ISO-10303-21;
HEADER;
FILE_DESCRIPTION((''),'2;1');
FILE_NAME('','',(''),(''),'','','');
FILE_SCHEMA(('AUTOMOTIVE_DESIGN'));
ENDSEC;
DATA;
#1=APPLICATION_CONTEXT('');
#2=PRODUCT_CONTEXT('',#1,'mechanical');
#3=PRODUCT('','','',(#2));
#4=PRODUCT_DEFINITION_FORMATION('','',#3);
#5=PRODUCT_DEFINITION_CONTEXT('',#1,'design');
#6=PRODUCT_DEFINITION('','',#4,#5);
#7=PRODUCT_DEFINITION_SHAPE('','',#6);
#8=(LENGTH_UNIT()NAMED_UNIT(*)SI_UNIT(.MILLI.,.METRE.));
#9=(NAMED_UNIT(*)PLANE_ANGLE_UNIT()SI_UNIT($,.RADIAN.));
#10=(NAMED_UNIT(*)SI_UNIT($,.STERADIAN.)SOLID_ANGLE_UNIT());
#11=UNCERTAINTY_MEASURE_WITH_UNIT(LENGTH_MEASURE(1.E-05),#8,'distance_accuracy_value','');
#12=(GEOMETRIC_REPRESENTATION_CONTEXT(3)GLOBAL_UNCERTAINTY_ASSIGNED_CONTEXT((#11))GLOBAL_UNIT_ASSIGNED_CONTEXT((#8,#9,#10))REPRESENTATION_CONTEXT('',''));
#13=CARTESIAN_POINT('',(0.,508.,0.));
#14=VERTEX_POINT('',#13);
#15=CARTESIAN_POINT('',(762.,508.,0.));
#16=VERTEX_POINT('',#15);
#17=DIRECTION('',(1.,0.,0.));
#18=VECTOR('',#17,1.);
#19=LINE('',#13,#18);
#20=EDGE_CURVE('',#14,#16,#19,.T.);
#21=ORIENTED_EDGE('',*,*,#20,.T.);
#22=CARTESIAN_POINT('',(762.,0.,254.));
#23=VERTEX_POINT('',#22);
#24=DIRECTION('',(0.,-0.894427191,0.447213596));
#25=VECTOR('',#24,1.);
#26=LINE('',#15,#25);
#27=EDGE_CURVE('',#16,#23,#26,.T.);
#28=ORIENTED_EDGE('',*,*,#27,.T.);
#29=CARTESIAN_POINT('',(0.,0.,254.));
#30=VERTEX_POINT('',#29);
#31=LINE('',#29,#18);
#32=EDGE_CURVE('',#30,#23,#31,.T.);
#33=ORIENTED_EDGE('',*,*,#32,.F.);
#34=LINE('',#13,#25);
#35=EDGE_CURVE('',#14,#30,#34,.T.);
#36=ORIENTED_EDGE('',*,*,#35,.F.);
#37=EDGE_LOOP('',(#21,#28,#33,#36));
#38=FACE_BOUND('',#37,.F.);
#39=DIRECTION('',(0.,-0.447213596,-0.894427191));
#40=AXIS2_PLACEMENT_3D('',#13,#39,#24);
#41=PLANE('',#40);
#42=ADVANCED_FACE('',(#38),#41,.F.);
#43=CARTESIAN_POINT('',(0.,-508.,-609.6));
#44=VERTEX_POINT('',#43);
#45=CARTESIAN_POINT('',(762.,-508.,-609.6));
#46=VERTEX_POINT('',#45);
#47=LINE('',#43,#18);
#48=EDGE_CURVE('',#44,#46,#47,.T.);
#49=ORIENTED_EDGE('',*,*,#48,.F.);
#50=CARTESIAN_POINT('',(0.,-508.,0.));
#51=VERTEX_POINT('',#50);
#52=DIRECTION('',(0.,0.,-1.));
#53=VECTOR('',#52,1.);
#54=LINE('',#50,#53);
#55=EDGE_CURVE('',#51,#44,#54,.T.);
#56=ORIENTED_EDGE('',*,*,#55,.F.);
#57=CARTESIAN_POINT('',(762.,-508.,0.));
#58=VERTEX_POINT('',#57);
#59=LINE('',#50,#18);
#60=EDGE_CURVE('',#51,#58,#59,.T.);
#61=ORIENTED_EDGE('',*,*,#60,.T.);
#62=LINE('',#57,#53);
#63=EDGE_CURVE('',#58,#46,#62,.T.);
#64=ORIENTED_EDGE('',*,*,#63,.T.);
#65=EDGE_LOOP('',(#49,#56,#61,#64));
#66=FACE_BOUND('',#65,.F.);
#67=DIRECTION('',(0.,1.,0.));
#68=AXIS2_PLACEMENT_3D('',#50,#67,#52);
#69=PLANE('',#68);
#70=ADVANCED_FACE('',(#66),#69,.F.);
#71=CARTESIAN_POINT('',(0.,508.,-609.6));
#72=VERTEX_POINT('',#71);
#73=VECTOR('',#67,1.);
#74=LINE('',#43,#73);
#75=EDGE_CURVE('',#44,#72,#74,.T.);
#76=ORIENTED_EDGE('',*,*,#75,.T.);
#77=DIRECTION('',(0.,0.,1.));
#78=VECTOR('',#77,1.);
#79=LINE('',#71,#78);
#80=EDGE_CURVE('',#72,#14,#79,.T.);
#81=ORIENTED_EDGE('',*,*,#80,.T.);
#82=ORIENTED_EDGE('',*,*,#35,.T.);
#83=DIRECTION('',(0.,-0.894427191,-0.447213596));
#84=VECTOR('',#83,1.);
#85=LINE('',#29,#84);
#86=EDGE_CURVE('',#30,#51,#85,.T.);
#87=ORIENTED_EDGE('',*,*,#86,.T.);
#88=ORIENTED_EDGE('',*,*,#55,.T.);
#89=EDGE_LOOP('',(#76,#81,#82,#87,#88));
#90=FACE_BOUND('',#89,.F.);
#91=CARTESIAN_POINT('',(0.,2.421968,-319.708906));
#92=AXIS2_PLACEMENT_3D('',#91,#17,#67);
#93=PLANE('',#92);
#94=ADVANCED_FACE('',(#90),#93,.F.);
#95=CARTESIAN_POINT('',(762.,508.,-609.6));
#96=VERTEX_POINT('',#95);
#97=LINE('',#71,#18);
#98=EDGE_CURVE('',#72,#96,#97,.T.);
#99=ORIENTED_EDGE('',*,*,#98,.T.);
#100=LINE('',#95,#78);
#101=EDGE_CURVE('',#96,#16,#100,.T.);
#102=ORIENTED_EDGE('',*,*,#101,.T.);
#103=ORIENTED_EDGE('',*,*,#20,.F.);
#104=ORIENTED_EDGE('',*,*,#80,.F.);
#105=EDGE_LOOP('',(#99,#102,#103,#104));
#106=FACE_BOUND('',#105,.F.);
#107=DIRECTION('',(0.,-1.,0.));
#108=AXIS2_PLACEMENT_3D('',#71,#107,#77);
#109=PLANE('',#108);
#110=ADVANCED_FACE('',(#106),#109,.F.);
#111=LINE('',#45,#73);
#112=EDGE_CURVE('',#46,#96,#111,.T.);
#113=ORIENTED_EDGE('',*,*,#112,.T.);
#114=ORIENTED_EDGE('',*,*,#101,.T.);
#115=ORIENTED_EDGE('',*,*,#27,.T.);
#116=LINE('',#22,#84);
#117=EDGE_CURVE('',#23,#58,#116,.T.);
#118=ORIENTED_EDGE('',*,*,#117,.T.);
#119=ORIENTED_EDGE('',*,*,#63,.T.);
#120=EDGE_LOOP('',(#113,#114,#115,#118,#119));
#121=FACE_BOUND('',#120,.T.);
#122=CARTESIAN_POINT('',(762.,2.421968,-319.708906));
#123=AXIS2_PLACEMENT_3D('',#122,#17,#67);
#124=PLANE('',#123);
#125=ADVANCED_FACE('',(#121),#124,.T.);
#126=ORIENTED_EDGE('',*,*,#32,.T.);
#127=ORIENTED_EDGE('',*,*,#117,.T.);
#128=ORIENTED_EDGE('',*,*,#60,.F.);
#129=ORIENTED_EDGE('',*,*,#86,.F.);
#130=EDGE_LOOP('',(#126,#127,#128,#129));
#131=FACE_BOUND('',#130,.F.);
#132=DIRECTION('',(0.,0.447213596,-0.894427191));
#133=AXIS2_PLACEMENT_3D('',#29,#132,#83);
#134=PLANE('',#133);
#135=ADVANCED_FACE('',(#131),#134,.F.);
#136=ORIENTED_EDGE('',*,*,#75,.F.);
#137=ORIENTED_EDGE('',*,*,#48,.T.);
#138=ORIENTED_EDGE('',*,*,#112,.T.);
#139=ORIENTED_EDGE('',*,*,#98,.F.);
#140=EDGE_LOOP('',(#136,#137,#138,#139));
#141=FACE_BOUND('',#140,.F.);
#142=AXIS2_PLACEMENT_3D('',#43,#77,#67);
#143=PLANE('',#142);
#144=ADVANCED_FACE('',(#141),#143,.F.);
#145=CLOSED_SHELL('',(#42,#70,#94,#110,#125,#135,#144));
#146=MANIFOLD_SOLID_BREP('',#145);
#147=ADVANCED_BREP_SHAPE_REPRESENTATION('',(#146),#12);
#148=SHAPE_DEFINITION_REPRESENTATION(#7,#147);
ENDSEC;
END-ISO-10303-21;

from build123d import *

# Parameters (mm, degrees)
F0_W     = 177.8
F0_H     = 177.8
F0_W_2   = 406.4
F0_H_2   = 203.2
F0_W_3   = 129.3622
F1_DEPTH = 762


with BuildPart() as f1:
    # F0 (on Right) → F1 (new body)
    with BuildSketch(Plane.YZ):
        Polygon((508, 0), (0, 0), (-508, 0), (-508, -609.6), (-40.1154235005, -609.6), (-40.1154235005, -431.8), (89.2467764995, -431.8), (89.2467764995, -609.6), (508, -609.6), align=None)
        with Locations((-266.7, -266.7)):
            Rectangle(F0_W, F0_H, mode=Mode.SUBTRACT)
        with Locations((254, -177.8)):
            Rectangle(F0_W_2, F0_H_2, mode=Mode.SUBTRACT)
        with Locations((254, -177.8)):
            Rectangle(F0_W_2, F0_H_2)
        Polygon((-508, 0), (0, 0), (0, 254), align=None)
        Polygon((0, 254), (0, 0), (508, 0), align=None)
        with Locations((-266.7, -266.7)):
            Rectangle(F0_W, F0_H)
        with Locations((24.5656764995, -520.7)):
            Rectangle(F0_W_3, F0_H)
    extrude(amount=F1_DEPTH)


solid = f1.part
